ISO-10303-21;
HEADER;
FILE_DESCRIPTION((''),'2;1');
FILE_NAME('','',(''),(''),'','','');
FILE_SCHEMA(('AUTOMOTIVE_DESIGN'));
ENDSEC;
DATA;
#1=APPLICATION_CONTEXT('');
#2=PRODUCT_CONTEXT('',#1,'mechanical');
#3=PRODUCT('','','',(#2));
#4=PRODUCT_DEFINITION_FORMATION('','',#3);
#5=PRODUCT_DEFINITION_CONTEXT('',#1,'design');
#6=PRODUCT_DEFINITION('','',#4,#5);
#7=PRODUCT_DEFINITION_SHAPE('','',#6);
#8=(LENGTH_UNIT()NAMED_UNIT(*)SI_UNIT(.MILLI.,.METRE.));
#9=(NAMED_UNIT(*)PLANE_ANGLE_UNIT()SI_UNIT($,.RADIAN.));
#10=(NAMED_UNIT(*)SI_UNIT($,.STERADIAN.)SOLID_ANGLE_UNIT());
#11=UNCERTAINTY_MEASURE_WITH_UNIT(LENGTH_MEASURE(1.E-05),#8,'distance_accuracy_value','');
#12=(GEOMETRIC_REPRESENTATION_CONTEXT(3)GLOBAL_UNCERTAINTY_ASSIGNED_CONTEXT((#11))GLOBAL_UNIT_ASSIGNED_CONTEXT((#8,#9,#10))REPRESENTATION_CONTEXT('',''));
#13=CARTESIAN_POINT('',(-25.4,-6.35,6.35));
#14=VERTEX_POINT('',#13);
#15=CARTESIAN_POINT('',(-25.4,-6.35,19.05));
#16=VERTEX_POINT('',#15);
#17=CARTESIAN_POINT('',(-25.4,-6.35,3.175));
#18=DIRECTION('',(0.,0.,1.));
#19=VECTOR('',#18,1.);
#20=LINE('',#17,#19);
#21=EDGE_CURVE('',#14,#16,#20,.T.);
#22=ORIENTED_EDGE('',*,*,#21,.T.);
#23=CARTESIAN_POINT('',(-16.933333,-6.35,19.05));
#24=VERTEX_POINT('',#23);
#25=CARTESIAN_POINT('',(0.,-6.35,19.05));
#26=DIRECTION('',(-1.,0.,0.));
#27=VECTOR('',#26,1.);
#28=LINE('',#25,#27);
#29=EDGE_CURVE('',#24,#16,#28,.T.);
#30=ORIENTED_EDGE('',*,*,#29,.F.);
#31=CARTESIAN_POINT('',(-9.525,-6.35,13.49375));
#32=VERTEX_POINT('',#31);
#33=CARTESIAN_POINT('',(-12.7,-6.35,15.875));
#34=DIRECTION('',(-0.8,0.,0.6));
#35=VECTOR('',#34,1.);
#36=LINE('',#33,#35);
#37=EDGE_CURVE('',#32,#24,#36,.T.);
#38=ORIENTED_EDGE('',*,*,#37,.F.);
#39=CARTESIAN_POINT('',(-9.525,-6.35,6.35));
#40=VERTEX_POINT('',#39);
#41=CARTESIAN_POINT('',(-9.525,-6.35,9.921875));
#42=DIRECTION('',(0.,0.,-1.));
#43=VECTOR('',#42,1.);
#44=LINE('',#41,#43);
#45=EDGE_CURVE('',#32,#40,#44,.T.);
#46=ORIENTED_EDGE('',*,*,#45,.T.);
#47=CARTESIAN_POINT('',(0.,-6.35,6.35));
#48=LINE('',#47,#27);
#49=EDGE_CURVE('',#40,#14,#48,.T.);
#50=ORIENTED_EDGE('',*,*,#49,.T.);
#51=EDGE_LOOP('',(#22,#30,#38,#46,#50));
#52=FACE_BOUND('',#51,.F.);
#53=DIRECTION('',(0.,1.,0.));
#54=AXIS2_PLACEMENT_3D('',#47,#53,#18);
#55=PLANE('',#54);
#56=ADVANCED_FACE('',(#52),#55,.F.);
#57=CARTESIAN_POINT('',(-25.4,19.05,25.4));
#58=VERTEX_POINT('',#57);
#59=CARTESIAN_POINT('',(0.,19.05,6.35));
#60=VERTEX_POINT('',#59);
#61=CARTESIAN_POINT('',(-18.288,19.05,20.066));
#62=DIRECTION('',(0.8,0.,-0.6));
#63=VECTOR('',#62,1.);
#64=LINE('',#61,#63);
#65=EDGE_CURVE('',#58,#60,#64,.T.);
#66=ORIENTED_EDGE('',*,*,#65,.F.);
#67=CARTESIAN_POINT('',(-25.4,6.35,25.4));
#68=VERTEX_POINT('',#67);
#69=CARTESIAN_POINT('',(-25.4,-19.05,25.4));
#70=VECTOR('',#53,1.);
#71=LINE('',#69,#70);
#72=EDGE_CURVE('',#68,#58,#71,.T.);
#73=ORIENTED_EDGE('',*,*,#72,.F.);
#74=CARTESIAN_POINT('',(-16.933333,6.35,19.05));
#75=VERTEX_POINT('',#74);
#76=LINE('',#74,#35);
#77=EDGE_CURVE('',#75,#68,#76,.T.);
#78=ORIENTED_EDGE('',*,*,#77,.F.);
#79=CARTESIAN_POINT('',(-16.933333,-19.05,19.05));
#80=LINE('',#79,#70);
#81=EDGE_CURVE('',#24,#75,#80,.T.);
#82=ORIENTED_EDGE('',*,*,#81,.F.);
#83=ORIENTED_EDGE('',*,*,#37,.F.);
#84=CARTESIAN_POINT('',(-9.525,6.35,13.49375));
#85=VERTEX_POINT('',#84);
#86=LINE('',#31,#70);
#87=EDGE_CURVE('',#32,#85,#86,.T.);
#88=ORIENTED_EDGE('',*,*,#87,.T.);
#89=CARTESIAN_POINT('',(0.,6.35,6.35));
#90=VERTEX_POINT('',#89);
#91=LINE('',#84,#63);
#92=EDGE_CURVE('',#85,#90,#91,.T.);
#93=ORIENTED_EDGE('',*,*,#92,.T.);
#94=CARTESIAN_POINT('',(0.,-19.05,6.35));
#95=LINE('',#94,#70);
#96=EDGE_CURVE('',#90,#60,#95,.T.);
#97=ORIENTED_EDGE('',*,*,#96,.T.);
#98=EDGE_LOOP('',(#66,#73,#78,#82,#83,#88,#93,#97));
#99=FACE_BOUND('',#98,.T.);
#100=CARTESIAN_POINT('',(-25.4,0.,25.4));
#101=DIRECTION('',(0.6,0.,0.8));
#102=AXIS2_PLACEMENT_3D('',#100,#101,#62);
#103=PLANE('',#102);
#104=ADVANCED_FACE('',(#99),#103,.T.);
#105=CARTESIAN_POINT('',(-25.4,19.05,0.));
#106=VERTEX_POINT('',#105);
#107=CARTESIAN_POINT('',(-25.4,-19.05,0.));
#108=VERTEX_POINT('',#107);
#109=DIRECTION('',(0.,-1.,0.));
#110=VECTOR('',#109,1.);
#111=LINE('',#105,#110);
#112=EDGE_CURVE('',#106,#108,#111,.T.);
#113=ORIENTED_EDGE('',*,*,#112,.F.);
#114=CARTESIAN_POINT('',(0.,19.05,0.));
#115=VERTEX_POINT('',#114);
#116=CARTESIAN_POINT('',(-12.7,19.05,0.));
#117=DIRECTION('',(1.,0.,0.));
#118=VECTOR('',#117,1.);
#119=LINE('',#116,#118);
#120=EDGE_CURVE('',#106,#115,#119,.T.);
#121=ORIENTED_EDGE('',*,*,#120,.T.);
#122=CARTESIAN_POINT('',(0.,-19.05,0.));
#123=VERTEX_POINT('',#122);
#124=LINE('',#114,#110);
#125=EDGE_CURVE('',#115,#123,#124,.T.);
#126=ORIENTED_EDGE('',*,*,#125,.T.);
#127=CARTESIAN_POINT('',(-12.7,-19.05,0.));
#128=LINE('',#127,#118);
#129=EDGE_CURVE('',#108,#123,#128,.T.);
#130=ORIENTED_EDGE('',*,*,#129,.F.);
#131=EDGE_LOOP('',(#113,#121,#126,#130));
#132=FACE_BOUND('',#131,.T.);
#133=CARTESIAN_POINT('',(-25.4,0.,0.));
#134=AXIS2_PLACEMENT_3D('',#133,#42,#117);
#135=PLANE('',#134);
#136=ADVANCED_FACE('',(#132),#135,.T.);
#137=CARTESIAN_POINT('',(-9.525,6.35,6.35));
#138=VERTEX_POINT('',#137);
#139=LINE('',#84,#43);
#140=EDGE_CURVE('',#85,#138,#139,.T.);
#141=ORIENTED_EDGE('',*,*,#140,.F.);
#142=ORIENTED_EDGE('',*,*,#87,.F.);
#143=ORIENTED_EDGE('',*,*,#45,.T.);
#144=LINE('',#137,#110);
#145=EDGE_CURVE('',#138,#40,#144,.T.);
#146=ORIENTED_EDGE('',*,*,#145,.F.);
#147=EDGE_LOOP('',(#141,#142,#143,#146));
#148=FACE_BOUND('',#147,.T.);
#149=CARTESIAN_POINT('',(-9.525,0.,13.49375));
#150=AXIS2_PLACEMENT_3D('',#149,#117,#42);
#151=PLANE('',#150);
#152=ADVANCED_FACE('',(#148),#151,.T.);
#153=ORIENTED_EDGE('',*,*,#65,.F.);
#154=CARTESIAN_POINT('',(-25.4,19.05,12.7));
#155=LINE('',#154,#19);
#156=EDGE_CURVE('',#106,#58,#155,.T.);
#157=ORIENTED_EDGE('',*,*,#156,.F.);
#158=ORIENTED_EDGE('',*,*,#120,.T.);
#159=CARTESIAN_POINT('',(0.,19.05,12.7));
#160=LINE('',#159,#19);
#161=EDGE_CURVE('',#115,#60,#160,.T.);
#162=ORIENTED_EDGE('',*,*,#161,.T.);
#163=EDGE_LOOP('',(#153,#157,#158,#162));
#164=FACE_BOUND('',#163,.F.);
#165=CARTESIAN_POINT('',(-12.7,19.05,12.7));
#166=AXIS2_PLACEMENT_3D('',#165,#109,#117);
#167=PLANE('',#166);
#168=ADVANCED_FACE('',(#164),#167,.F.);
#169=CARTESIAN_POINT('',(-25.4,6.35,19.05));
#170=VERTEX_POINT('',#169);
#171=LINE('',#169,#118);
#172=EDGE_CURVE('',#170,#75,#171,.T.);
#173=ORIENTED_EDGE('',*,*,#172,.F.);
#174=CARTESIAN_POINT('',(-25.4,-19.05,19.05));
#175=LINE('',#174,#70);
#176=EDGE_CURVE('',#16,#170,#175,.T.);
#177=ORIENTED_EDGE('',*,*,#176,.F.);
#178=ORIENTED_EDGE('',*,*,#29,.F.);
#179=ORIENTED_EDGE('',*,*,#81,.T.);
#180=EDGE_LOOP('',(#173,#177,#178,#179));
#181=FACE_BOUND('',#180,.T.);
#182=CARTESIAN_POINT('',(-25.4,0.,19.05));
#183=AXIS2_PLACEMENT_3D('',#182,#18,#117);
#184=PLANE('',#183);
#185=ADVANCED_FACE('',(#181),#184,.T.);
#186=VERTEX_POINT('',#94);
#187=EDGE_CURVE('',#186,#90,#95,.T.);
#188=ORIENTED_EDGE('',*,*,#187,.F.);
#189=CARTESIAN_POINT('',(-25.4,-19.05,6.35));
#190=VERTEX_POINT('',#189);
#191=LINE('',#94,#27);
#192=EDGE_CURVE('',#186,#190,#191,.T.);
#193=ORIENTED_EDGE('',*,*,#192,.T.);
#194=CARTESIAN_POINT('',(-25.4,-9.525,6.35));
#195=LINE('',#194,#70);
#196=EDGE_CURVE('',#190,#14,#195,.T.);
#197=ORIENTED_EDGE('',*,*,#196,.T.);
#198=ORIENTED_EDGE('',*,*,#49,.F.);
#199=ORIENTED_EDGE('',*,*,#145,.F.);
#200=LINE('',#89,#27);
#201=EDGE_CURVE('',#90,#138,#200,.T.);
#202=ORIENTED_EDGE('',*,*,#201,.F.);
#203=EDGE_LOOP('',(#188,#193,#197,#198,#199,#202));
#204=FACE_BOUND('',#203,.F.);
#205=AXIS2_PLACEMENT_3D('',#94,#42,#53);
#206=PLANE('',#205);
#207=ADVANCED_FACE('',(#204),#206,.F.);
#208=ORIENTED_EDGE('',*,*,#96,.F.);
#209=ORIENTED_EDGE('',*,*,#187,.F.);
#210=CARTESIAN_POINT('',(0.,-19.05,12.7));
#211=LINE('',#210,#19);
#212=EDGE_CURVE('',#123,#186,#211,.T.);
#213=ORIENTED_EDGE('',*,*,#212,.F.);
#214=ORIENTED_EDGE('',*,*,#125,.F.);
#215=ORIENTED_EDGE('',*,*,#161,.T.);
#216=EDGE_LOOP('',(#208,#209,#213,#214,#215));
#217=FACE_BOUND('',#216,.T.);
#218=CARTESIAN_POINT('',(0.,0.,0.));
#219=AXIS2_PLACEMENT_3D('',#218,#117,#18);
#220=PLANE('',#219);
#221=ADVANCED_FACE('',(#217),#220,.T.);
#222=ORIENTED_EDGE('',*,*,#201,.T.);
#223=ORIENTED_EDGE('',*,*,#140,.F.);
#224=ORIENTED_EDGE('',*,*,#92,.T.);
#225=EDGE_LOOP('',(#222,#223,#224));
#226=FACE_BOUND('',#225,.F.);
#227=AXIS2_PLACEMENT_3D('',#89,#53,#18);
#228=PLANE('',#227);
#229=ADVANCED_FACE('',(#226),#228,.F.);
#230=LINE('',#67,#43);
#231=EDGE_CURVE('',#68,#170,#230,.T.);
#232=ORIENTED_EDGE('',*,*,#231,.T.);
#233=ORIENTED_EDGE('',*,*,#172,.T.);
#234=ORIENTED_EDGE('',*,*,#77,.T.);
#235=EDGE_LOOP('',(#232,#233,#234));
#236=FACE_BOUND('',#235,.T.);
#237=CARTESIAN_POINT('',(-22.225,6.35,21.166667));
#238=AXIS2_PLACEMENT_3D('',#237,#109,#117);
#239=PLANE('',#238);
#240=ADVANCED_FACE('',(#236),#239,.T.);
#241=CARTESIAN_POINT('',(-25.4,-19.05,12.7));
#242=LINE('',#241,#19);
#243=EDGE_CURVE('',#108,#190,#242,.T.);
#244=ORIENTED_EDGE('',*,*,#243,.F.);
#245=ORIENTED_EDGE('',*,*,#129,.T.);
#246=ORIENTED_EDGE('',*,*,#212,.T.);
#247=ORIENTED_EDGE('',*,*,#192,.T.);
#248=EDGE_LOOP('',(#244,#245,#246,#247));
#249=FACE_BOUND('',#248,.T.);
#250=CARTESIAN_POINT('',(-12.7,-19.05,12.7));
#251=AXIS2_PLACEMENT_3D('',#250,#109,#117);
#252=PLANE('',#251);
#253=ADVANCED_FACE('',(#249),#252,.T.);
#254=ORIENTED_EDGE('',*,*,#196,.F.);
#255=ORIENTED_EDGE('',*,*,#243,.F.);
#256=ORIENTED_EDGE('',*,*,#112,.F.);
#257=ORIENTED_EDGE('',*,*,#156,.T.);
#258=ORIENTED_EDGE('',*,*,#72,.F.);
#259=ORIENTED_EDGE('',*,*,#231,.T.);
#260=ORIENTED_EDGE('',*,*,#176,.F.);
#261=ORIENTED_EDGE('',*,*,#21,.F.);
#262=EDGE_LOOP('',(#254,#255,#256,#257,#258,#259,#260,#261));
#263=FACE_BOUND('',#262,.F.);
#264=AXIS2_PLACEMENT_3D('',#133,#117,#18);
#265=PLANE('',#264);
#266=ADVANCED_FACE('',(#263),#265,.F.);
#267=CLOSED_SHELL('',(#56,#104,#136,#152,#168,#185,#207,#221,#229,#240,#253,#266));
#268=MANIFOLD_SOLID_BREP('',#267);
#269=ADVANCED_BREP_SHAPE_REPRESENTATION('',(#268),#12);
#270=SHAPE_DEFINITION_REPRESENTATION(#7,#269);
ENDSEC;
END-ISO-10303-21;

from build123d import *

# Parameters (mm, degrees)
F0_W           = 25.4
F0_H           = 25.4
F1_DEPTH       = 19.05
F3_DEPTH       = 19.051
F3_DEPTH_BACK  = 25.4
F5_DEPTH       = 25.4
F5_DEPTH_BACK  = 6.35
F6_W           = 12.7
F6_H           = 12.7
F7_DEPTH       = 25.401
F8_W           = 6.35
F8_H           = 6.35
F9_DEPTH       = 4.7625
F11_DEPTH      = 25.4
F11_DEPTH_BACK = 6.35


with BuildPart() as f1:
    # F0 (on Front) → F1 (new body, symmetric)
    with BuildSketch(Plane.XZ):
        with Locations((-12.7, 12.7)):
            Rectangle(F0_W, F0_H)
    extrude(amount=F1_DEPTH, both=True)

    # F2 (on Front) → F3 (cut, two sides)
    with BuildSketch(Plane.XZ) as f3_sk:
        Polygon((-25.4, 25.4), (0, 6.35), (0, 25.4), align=None)
    extrude(amount=-F3_DEPTH, mode=Mode.SUBTRACT)
    extrude(f3_sk.sketch, amount=F3_DEPTH_BACK, mode=Mode.SUBTRACT)

    # F4 (on Front) → F5 (cut, two sides)
    with BuildSketch(Plane.XZ) as f5_sk:
        Polygon((-25.4, 25.4), (-25.4, 19.05), (-16.9333333333, 19.05), align=None)
    extrude(amount=F5_DEPTH, mode=Mode.SUBTRACT)
    extrude(f5_sk.sketch, amount=-F5_DEPTH_BACK, mode=Mode.SUBTRACT)

    # F6 (on Right) → F7 (cut, through all)
    with BuildSketch(Plane.YZ):
        with Locations((-12.7, 12.7)):
            Rectangle(F6_W, F6_H)
    extrude(amount=-F7_DEPTH, mode=Mode.SUBTRACT)

    # F8 (on Right) → F9 (cut, symmetric)
    with BuildSketch(Plane.YZ):
        with Locations((3.175, 9.525)):
            Rectangle(F8_W, F8_H)
    extrude(amount=F9_DEPTH, both=True, mode=Mode.SUBTRACT)

    # F10 (on Front) → F11 (cut, two sides)
    with BuildSketch(Plane.XZ) as f11_sk:
        Polygon((0, 6.35), (-9.525, 13.49375), (-9.525, 6.35), align=None)
    extrude(amount=F11_DEPTH, mode=Mode.SUBTRACT)
    extrude(f11_sk.sketch, amount=-F11_DEPTH_BACK, mode=Mode.SUBTRACT)


solid = f1.part
